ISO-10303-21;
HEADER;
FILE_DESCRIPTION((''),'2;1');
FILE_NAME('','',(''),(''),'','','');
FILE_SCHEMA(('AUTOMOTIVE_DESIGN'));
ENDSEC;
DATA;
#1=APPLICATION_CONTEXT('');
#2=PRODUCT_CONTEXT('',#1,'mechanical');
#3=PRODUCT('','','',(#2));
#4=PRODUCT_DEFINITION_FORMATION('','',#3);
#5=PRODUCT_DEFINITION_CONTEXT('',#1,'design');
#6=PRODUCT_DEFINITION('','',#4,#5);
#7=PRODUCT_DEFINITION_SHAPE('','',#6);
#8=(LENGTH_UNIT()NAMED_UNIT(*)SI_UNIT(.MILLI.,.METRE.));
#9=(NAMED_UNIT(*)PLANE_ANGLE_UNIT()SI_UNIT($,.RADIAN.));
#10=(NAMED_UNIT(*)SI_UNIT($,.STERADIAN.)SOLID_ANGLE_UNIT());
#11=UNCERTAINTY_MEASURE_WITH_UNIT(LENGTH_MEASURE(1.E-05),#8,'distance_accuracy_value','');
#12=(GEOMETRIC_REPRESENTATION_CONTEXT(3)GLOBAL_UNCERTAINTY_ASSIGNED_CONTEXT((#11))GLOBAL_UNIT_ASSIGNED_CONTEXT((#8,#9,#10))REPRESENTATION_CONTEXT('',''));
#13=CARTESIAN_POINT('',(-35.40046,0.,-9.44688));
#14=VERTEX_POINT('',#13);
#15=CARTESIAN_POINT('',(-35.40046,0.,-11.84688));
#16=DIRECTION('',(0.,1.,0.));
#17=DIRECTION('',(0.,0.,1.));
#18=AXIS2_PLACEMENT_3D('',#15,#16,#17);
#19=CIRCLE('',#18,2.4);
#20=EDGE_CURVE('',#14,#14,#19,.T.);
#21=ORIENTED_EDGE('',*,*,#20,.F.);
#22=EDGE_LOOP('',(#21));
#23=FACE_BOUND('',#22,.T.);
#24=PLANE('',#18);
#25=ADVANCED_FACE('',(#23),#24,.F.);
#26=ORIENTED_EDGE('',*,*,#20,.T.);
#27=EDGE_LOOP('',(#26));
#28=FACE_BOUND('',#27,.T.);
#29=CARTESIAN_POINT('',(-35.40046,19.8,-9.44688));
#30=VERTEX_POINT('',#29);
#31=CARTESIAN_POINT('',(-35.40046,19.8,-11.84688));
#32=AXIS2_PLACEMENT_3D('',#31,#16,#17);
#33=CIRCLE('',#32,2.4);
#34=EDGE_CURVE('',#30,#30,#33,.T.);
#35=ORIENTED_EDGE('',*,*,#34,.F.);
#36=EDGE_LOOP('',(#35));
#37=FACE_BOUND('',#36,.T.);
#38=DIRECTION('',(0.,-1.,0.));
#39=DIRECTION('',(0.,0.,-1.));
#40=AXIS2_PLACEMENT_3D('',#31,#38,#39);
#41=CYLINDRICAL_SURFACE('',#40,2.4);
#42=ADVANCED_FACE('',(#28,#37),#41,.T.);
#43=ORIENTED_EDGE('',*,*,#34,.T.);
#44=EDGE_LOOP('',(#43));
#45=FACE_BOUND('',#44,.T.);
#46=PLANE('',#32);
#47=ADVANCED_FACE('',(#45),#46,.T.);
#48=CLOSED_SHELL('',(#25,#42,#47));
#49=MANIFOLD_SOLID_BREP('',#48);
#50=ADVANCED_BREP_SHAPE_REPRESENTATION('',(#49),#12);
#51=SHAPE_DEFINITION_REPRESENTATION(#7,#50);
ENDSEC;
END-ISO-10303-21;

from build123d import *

# Parameters (mm, degrees)
SKETCH1_R           = 2.4
BOSS_EXTRUDE1_DEPTH = 19.8


with BuildPart() as part:
    # Sketch1 → Boss-Extrude1 (new body)
    with BuildSketch(Plane(origin=(0, 0, 0), x_dir=(1, 0, 0), z_dir=(0, 1, 0))):
        with Locations((-35.400459649, 11.846880067)):
            Circle(SKETCH1_R)
    extrude(amount=BOSS_EXTRUDE1_DEPTH)


solid = part.part
